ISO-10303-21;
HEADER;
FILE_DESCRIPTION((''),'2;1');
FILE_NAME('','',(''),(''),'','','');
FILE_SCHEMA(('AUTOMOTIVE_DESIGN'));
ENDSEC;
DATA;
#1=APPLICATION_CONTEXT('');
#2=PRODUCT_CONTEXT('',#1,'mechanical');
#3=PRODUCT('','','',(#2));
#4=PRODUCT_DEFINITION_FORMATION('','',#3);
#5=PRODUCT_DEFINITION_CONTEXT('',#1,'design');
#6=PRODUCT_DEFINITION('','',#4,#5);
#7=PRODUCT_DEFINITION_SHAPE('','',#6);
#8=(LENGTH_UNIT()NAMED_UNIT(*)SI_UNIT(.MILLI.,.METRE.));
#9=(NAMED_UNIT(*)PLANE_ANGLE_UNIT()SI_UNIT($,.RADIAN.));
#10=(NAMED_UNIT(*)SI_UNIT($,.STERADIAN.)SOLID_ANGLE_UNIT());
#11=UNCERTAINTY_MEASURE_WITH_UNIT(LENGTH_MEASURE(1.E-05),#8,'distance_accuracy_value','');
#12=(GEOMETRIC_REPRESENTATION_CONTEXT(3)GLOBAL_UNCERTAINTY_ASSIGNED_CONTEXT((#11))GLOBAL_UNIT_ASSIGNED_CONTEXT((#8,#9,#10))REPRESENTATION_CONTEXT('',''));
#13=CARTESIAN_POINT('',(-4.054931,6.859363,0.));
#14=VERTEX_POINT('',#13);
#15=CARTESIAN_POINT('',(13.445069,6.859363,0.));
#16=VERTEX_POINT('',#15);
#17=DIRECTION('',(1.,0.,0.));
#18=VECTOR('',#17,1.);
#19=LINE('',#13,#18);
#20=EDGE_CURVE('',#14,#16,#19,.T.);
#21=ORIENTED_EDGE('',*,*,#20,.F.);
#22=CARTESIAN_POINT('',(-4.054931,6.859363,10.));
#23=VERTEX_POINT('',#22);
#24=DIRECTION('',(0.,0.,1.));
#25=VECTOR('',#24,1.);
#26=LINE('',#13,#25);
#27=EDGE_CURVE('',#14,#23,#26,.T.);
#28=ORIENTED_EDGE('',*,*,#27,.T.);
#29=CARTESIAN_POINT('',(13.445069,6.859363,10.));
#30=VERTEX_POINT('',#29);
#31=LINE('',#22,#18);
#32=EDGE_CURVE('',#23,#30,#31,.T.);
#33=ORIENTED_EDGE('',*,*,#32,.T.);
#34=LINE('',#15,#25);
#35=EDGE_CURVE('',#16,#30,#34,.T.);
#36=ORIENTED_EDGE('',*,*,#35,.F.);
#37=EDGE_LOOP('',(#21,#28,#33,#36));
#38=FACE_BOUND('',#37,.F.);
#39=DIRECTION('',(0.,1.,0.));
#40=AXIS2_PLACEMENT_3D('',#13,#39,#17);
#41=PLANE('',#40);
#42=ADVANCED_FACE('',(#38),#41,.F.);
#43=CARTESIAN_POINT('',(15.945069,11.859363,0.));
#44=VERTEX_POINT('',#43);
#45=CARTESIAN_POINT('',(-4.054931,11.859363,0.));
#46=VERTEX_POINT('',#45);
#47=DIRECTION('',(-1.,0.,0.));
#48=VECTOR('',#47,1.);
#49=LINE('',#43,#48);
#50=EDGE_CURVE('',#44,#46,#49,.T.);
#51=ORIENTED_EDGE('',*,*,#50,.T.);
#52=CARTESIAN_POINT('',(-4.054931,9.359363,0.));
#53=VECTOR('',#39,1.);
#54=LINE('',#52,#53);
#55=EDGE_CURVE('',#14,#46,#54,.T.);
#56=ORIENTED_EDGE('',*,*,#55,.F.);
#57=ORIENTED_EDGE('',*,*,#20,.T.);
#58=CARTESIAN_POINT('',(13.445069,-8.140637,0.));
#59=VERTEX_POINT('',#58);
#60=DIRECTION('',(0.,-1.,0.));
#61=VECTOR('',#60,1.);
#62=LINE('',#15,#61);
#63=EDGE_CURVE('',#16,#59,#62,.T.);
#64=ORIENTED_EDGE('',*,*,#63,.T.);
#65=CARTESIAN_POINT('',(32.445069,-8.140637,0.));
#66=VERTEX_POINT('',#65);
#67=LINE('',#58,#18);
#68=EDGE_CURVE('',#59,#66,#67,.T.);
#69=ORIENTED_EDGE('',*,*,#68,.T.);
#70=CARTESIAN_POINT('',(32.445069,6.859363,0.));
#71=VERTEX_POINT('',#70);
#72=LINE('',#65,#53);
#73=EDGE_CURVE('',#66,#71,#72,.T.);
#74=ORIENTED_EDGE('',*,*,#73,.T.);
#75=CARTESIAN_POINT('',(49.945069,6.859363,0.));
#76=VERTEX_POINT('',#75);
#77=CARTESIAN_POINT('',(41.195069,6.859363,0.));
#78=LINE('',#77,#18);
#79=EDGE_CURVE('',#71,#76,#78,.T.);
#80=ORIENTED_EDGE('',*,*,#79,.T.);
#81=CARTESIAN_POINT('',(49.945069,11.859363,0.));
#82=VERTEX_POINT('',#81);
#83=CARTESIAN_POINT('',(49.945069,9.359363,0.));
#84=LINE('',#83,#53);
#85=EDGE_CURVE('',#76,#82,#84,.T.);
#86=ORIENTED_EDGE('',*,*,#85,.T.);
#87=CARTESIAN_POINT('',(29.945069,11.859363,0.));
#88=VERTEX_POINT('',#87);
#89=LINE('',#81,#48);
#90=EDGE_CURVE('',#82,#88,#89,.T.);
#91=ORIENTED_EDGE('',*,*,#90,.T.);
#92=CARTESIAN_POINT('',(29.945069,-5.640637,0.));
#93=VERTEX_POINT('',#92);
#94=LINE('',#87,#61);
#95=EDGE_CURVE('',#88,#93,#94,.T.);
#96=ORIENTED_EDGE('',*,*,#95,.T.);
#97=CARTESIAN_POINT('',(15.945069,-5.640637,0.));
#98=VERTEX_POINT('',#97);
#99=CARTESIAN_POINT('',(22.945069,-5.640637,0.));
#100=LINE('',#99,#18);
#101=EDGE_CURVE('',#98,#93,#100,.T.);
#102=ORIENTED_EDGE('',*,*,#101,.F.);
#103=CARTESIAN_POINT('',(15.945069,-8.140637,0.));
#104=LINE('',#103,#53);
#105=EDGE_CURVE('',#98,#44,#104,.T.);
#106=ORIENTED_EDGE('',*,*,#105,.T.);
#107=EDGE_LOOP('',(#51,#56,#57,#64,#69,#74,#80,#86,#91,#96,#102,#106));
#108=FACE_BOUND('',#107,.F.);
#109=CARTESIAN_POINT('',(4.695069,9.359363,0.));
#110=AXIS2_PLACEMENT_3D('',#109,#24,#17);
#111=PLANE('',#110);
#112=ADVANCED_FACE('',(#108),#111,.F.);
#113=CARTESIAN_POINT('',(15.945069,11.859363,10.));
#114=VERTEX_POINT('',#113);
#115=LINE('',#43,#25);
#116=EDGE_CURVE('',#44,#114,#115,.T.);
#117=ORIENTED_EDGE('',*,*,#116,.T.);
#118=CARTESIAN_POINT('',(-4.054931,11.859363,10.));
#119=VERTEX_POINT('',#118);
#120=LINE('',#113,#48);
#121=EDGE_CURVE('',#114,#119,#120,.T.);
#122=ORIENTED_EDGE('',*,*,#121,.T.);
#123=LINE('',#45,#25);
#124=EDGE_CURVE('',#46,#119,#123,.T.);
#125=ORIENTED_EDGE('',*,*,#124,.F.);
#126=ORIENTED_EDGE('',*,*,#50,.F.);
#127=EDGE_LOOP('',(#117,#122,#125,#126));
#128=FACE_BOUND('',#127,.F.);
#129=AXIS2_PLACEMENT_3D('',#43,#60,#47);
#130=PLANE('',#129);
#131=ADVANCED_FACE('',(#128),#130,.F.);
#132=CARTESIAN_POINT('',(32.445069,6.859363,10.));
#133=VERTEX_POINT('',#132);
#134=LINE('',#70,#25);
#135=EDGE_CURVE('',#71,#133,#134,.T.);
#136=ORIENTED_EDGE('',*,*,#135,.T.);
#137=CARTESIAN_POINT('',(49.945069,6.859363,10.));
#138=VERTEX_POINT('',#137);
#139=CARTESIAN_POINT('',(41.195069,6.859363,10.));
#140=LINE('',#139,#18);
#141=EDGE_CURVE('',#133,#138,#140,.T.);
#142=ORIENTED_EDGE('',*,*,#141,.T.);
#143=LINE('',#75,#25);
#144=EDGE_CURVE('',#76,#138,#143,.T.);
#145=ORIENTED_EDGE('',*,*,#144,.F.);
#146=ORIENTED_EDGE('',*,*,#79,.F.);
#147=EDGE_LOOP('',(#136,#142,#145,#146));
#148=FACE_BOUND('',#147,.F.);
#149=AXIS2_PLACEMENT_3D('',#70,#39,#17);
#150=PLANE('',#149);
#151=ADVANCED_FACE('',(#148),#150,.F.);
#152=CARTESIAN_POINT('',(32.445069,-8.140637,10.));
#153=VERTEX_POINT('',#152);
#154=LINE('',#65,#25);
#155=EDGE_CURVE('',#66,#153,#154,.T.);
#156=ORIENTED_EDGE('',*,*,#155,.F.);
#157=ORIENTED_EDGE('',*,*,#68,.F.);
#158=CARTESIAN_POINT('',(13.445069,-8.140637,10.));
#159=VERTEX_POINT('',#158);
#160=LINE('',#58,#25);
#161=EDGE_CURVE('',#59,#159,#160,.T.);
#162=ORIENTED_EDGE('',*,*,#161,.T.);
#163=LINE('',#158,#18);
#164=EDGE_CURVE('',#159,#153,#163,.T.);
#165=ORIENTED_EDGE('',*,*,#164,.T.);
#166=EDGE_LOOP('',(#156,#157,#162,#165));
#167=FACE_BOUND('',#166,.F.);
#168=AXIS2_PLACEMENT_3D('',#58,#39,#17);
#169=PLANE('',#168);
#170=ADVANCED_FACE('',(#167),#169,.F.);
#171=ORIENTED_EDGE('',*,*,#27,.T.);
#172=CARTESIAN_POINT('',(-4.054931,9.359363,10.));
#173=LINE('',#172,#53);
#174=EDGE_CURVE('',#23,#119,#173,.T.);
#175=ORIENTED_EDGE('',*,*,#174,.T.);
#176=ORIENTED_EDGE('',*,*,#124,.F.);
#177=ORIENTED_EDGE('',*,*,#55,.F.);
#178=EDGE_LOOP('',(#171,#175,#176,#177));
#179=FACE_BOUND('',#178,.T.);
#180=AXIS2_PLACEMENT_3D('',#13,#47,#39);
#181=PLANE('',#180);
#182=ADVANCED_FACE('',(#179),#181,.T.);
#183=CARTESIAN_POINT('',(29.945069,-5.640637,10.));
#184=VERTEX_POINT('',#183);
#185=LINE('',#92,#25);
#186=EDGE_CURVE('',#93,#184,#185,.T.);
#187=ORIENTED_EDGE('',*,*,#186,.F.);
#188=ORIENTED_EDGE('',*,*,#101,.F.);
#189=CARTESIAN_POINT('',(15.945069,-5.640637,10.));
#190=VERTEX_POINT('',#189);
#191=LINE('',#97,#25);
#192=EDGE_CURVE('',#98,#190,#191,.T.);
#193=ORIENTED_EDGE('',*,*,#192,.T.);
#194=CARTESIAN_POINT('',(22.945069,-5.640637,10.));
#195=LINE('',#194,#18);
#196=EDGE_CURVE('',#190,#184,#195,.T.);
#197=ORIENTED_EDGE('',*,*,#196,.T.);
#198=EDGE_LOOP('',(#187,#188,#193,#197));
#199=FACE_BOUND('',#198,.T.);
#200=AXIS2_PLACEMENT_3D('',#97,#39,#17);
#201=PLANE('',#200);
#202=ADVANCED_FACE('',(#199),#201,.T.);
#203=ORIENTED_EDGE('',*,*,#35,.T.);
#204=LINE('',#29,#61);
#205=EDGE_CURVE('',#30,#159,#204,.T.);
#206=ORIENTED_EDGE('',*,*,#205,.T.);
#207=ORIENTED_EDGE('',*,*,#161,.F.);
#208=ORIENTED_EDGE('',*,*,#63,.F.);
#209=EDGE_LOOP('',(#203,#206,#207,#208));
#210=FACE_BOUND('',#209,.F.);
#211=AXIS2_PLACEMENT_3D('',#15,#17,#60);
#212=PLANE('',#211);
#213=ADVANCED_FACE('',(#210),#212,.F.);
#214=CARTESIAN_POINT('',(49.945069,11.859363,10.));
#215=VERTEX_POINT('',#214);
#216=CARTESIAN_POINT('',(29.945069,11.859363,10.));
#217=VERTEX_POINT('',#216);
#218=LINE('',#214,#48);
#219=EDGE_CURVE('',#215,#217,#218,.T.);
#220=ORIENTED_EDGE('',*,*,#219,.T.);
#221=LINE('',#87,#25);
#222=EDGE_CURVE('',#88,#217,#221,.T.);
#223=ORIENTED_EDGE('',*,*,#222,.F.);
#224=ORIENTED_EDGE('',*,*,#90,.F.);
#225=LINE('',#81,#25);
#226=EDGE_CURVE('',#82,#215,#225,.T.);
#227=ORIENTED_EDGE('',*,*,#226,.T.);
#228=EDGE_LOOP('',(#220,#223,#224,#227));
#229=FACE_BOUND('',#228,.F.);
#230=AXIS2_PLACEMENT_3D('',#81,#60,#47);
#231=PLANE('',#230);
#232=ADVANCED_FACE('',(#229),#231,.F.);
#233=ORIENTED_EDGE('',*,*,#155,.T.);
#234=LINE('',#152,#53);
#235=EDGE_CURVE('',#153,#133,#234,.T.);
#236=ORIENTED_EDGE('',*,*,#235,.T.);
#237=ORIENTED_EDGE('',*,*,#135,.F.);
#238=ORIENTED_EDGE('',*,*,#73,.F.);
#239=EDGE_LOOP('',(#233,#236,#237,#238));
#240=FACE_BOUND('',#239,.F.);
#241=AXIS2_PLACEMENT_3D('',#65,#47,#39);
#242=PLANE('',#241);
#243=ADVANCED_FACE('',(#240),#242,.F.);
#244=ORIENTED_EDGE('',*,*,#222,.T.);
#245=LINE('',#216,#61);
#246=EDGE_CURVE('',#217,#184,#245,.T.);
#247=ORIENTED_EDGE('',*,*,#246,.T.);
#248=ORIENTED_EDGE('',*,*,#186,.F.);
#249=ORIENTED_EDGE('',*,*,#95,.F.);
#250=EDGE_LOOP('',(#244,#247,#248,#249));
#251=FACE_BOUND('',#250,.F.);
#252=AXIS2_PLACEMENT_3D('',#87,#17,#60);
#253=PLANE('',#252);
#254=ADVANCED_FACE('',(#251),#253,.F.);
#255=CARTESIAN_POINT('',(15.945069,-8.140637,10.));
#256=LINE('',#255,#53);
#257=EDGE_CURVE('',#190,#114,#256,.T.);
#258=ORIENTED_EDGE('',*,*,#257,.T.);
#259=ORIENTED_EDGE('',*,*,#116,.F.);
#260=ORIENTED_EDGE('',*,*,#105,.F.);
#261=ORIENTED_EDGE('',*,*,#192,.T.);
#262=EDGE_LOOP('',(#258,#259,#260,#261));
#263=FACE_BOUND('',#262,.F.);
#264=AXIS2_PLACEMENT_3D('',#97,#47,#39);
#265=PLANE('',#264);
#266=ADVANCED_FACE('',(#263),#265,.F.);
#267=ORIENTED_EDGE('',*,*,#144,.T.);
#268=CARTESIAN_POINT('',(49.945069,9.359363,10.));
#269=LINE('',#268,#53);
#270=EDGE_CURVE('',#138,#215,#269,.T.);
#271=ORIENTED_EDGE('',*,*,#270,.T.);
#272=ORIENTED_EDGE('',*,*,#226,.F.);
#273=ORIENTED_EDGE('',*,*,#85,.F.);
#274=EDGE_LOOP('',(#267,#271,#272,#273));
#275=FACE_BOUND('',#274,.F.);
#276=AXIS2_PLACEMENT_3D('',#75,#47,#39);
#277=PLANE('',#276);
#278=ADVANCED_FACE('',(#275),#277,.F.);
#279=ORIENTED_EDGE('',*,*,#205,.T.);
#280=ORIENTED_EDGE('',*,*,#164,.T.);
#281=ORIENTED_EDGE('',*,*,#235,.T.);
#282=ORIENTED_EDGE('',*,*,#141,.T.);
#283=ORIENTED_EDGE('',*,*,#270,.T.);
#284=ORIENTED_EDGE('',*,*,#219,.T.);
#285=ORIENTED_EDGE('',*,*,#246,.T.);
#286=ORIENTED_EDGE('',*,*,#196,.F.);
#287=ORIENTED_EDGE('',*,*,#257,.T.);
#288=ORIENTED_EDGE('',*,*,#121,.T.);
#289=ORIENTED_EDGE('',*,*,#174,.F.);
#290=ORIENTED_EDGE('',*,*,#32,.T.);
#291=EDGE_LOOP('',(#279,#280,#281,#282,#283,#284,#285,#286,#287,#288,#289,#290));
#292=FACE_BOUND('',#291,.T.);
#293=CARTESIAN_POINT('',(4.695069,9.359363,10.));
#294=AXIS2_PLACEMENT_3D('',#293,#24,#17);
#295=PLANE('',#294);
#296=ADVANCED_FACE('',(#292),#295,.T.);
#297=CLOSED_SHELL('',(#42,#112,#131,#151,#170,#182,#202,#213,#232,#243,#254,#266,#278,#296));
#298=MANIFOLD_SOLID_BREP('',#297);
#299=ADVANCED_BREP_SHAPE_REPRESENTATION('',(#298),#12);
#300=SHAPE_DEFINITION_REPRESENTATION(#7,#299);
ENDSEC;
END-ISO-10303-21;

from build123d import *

# Parameters (mm, degrees)
F0_W     = 17.5
F0_H     = 5
F0_W_2   = 2.5
F0_H_2   = 12.5
F0_H_3   = 2.5
F0_W_3   = 14
F1_DEPTH = 10


with BuildPart() as f1:
    # F0 (on Top) → F1 (new body)
    with BuildSketch(Plane.XY):
        with Locations((4.695069, 9.359363)):
            Rectangle(F0_W, F0_H)
        with Locations((14.695069, 9.359363)):
            Rectangle(F0_W_2, F0_H)
        with Locations((14.695069, 0.609363)):
            Rectangle(F0_W_2, F0_H_2)
        with Locations((14.695069, -6.890637)):
            Rectangle(F0_W_2, F0_H_3)
        with Locations((22.945069, -6.890637)):
            Rectangle(F0_W_3, F0_H_3)
        with Locations((31.195069, 0.609363)):
            Rectangle(F0_W_2, F0_H_2)
        with Locations((31.195069, -6.890637)):
            Rectangle(F0_W_2, F0_H_3)
        with Locations((31.195069, 9.359363)):
            Rectangle(F0_W_2, F0_H)
        with Locations((41.195069, 9.359363)):
            Rectangle(F0_W, F0_H)
    extrude(amount=F1_DEPTH)


solid = f1.part
